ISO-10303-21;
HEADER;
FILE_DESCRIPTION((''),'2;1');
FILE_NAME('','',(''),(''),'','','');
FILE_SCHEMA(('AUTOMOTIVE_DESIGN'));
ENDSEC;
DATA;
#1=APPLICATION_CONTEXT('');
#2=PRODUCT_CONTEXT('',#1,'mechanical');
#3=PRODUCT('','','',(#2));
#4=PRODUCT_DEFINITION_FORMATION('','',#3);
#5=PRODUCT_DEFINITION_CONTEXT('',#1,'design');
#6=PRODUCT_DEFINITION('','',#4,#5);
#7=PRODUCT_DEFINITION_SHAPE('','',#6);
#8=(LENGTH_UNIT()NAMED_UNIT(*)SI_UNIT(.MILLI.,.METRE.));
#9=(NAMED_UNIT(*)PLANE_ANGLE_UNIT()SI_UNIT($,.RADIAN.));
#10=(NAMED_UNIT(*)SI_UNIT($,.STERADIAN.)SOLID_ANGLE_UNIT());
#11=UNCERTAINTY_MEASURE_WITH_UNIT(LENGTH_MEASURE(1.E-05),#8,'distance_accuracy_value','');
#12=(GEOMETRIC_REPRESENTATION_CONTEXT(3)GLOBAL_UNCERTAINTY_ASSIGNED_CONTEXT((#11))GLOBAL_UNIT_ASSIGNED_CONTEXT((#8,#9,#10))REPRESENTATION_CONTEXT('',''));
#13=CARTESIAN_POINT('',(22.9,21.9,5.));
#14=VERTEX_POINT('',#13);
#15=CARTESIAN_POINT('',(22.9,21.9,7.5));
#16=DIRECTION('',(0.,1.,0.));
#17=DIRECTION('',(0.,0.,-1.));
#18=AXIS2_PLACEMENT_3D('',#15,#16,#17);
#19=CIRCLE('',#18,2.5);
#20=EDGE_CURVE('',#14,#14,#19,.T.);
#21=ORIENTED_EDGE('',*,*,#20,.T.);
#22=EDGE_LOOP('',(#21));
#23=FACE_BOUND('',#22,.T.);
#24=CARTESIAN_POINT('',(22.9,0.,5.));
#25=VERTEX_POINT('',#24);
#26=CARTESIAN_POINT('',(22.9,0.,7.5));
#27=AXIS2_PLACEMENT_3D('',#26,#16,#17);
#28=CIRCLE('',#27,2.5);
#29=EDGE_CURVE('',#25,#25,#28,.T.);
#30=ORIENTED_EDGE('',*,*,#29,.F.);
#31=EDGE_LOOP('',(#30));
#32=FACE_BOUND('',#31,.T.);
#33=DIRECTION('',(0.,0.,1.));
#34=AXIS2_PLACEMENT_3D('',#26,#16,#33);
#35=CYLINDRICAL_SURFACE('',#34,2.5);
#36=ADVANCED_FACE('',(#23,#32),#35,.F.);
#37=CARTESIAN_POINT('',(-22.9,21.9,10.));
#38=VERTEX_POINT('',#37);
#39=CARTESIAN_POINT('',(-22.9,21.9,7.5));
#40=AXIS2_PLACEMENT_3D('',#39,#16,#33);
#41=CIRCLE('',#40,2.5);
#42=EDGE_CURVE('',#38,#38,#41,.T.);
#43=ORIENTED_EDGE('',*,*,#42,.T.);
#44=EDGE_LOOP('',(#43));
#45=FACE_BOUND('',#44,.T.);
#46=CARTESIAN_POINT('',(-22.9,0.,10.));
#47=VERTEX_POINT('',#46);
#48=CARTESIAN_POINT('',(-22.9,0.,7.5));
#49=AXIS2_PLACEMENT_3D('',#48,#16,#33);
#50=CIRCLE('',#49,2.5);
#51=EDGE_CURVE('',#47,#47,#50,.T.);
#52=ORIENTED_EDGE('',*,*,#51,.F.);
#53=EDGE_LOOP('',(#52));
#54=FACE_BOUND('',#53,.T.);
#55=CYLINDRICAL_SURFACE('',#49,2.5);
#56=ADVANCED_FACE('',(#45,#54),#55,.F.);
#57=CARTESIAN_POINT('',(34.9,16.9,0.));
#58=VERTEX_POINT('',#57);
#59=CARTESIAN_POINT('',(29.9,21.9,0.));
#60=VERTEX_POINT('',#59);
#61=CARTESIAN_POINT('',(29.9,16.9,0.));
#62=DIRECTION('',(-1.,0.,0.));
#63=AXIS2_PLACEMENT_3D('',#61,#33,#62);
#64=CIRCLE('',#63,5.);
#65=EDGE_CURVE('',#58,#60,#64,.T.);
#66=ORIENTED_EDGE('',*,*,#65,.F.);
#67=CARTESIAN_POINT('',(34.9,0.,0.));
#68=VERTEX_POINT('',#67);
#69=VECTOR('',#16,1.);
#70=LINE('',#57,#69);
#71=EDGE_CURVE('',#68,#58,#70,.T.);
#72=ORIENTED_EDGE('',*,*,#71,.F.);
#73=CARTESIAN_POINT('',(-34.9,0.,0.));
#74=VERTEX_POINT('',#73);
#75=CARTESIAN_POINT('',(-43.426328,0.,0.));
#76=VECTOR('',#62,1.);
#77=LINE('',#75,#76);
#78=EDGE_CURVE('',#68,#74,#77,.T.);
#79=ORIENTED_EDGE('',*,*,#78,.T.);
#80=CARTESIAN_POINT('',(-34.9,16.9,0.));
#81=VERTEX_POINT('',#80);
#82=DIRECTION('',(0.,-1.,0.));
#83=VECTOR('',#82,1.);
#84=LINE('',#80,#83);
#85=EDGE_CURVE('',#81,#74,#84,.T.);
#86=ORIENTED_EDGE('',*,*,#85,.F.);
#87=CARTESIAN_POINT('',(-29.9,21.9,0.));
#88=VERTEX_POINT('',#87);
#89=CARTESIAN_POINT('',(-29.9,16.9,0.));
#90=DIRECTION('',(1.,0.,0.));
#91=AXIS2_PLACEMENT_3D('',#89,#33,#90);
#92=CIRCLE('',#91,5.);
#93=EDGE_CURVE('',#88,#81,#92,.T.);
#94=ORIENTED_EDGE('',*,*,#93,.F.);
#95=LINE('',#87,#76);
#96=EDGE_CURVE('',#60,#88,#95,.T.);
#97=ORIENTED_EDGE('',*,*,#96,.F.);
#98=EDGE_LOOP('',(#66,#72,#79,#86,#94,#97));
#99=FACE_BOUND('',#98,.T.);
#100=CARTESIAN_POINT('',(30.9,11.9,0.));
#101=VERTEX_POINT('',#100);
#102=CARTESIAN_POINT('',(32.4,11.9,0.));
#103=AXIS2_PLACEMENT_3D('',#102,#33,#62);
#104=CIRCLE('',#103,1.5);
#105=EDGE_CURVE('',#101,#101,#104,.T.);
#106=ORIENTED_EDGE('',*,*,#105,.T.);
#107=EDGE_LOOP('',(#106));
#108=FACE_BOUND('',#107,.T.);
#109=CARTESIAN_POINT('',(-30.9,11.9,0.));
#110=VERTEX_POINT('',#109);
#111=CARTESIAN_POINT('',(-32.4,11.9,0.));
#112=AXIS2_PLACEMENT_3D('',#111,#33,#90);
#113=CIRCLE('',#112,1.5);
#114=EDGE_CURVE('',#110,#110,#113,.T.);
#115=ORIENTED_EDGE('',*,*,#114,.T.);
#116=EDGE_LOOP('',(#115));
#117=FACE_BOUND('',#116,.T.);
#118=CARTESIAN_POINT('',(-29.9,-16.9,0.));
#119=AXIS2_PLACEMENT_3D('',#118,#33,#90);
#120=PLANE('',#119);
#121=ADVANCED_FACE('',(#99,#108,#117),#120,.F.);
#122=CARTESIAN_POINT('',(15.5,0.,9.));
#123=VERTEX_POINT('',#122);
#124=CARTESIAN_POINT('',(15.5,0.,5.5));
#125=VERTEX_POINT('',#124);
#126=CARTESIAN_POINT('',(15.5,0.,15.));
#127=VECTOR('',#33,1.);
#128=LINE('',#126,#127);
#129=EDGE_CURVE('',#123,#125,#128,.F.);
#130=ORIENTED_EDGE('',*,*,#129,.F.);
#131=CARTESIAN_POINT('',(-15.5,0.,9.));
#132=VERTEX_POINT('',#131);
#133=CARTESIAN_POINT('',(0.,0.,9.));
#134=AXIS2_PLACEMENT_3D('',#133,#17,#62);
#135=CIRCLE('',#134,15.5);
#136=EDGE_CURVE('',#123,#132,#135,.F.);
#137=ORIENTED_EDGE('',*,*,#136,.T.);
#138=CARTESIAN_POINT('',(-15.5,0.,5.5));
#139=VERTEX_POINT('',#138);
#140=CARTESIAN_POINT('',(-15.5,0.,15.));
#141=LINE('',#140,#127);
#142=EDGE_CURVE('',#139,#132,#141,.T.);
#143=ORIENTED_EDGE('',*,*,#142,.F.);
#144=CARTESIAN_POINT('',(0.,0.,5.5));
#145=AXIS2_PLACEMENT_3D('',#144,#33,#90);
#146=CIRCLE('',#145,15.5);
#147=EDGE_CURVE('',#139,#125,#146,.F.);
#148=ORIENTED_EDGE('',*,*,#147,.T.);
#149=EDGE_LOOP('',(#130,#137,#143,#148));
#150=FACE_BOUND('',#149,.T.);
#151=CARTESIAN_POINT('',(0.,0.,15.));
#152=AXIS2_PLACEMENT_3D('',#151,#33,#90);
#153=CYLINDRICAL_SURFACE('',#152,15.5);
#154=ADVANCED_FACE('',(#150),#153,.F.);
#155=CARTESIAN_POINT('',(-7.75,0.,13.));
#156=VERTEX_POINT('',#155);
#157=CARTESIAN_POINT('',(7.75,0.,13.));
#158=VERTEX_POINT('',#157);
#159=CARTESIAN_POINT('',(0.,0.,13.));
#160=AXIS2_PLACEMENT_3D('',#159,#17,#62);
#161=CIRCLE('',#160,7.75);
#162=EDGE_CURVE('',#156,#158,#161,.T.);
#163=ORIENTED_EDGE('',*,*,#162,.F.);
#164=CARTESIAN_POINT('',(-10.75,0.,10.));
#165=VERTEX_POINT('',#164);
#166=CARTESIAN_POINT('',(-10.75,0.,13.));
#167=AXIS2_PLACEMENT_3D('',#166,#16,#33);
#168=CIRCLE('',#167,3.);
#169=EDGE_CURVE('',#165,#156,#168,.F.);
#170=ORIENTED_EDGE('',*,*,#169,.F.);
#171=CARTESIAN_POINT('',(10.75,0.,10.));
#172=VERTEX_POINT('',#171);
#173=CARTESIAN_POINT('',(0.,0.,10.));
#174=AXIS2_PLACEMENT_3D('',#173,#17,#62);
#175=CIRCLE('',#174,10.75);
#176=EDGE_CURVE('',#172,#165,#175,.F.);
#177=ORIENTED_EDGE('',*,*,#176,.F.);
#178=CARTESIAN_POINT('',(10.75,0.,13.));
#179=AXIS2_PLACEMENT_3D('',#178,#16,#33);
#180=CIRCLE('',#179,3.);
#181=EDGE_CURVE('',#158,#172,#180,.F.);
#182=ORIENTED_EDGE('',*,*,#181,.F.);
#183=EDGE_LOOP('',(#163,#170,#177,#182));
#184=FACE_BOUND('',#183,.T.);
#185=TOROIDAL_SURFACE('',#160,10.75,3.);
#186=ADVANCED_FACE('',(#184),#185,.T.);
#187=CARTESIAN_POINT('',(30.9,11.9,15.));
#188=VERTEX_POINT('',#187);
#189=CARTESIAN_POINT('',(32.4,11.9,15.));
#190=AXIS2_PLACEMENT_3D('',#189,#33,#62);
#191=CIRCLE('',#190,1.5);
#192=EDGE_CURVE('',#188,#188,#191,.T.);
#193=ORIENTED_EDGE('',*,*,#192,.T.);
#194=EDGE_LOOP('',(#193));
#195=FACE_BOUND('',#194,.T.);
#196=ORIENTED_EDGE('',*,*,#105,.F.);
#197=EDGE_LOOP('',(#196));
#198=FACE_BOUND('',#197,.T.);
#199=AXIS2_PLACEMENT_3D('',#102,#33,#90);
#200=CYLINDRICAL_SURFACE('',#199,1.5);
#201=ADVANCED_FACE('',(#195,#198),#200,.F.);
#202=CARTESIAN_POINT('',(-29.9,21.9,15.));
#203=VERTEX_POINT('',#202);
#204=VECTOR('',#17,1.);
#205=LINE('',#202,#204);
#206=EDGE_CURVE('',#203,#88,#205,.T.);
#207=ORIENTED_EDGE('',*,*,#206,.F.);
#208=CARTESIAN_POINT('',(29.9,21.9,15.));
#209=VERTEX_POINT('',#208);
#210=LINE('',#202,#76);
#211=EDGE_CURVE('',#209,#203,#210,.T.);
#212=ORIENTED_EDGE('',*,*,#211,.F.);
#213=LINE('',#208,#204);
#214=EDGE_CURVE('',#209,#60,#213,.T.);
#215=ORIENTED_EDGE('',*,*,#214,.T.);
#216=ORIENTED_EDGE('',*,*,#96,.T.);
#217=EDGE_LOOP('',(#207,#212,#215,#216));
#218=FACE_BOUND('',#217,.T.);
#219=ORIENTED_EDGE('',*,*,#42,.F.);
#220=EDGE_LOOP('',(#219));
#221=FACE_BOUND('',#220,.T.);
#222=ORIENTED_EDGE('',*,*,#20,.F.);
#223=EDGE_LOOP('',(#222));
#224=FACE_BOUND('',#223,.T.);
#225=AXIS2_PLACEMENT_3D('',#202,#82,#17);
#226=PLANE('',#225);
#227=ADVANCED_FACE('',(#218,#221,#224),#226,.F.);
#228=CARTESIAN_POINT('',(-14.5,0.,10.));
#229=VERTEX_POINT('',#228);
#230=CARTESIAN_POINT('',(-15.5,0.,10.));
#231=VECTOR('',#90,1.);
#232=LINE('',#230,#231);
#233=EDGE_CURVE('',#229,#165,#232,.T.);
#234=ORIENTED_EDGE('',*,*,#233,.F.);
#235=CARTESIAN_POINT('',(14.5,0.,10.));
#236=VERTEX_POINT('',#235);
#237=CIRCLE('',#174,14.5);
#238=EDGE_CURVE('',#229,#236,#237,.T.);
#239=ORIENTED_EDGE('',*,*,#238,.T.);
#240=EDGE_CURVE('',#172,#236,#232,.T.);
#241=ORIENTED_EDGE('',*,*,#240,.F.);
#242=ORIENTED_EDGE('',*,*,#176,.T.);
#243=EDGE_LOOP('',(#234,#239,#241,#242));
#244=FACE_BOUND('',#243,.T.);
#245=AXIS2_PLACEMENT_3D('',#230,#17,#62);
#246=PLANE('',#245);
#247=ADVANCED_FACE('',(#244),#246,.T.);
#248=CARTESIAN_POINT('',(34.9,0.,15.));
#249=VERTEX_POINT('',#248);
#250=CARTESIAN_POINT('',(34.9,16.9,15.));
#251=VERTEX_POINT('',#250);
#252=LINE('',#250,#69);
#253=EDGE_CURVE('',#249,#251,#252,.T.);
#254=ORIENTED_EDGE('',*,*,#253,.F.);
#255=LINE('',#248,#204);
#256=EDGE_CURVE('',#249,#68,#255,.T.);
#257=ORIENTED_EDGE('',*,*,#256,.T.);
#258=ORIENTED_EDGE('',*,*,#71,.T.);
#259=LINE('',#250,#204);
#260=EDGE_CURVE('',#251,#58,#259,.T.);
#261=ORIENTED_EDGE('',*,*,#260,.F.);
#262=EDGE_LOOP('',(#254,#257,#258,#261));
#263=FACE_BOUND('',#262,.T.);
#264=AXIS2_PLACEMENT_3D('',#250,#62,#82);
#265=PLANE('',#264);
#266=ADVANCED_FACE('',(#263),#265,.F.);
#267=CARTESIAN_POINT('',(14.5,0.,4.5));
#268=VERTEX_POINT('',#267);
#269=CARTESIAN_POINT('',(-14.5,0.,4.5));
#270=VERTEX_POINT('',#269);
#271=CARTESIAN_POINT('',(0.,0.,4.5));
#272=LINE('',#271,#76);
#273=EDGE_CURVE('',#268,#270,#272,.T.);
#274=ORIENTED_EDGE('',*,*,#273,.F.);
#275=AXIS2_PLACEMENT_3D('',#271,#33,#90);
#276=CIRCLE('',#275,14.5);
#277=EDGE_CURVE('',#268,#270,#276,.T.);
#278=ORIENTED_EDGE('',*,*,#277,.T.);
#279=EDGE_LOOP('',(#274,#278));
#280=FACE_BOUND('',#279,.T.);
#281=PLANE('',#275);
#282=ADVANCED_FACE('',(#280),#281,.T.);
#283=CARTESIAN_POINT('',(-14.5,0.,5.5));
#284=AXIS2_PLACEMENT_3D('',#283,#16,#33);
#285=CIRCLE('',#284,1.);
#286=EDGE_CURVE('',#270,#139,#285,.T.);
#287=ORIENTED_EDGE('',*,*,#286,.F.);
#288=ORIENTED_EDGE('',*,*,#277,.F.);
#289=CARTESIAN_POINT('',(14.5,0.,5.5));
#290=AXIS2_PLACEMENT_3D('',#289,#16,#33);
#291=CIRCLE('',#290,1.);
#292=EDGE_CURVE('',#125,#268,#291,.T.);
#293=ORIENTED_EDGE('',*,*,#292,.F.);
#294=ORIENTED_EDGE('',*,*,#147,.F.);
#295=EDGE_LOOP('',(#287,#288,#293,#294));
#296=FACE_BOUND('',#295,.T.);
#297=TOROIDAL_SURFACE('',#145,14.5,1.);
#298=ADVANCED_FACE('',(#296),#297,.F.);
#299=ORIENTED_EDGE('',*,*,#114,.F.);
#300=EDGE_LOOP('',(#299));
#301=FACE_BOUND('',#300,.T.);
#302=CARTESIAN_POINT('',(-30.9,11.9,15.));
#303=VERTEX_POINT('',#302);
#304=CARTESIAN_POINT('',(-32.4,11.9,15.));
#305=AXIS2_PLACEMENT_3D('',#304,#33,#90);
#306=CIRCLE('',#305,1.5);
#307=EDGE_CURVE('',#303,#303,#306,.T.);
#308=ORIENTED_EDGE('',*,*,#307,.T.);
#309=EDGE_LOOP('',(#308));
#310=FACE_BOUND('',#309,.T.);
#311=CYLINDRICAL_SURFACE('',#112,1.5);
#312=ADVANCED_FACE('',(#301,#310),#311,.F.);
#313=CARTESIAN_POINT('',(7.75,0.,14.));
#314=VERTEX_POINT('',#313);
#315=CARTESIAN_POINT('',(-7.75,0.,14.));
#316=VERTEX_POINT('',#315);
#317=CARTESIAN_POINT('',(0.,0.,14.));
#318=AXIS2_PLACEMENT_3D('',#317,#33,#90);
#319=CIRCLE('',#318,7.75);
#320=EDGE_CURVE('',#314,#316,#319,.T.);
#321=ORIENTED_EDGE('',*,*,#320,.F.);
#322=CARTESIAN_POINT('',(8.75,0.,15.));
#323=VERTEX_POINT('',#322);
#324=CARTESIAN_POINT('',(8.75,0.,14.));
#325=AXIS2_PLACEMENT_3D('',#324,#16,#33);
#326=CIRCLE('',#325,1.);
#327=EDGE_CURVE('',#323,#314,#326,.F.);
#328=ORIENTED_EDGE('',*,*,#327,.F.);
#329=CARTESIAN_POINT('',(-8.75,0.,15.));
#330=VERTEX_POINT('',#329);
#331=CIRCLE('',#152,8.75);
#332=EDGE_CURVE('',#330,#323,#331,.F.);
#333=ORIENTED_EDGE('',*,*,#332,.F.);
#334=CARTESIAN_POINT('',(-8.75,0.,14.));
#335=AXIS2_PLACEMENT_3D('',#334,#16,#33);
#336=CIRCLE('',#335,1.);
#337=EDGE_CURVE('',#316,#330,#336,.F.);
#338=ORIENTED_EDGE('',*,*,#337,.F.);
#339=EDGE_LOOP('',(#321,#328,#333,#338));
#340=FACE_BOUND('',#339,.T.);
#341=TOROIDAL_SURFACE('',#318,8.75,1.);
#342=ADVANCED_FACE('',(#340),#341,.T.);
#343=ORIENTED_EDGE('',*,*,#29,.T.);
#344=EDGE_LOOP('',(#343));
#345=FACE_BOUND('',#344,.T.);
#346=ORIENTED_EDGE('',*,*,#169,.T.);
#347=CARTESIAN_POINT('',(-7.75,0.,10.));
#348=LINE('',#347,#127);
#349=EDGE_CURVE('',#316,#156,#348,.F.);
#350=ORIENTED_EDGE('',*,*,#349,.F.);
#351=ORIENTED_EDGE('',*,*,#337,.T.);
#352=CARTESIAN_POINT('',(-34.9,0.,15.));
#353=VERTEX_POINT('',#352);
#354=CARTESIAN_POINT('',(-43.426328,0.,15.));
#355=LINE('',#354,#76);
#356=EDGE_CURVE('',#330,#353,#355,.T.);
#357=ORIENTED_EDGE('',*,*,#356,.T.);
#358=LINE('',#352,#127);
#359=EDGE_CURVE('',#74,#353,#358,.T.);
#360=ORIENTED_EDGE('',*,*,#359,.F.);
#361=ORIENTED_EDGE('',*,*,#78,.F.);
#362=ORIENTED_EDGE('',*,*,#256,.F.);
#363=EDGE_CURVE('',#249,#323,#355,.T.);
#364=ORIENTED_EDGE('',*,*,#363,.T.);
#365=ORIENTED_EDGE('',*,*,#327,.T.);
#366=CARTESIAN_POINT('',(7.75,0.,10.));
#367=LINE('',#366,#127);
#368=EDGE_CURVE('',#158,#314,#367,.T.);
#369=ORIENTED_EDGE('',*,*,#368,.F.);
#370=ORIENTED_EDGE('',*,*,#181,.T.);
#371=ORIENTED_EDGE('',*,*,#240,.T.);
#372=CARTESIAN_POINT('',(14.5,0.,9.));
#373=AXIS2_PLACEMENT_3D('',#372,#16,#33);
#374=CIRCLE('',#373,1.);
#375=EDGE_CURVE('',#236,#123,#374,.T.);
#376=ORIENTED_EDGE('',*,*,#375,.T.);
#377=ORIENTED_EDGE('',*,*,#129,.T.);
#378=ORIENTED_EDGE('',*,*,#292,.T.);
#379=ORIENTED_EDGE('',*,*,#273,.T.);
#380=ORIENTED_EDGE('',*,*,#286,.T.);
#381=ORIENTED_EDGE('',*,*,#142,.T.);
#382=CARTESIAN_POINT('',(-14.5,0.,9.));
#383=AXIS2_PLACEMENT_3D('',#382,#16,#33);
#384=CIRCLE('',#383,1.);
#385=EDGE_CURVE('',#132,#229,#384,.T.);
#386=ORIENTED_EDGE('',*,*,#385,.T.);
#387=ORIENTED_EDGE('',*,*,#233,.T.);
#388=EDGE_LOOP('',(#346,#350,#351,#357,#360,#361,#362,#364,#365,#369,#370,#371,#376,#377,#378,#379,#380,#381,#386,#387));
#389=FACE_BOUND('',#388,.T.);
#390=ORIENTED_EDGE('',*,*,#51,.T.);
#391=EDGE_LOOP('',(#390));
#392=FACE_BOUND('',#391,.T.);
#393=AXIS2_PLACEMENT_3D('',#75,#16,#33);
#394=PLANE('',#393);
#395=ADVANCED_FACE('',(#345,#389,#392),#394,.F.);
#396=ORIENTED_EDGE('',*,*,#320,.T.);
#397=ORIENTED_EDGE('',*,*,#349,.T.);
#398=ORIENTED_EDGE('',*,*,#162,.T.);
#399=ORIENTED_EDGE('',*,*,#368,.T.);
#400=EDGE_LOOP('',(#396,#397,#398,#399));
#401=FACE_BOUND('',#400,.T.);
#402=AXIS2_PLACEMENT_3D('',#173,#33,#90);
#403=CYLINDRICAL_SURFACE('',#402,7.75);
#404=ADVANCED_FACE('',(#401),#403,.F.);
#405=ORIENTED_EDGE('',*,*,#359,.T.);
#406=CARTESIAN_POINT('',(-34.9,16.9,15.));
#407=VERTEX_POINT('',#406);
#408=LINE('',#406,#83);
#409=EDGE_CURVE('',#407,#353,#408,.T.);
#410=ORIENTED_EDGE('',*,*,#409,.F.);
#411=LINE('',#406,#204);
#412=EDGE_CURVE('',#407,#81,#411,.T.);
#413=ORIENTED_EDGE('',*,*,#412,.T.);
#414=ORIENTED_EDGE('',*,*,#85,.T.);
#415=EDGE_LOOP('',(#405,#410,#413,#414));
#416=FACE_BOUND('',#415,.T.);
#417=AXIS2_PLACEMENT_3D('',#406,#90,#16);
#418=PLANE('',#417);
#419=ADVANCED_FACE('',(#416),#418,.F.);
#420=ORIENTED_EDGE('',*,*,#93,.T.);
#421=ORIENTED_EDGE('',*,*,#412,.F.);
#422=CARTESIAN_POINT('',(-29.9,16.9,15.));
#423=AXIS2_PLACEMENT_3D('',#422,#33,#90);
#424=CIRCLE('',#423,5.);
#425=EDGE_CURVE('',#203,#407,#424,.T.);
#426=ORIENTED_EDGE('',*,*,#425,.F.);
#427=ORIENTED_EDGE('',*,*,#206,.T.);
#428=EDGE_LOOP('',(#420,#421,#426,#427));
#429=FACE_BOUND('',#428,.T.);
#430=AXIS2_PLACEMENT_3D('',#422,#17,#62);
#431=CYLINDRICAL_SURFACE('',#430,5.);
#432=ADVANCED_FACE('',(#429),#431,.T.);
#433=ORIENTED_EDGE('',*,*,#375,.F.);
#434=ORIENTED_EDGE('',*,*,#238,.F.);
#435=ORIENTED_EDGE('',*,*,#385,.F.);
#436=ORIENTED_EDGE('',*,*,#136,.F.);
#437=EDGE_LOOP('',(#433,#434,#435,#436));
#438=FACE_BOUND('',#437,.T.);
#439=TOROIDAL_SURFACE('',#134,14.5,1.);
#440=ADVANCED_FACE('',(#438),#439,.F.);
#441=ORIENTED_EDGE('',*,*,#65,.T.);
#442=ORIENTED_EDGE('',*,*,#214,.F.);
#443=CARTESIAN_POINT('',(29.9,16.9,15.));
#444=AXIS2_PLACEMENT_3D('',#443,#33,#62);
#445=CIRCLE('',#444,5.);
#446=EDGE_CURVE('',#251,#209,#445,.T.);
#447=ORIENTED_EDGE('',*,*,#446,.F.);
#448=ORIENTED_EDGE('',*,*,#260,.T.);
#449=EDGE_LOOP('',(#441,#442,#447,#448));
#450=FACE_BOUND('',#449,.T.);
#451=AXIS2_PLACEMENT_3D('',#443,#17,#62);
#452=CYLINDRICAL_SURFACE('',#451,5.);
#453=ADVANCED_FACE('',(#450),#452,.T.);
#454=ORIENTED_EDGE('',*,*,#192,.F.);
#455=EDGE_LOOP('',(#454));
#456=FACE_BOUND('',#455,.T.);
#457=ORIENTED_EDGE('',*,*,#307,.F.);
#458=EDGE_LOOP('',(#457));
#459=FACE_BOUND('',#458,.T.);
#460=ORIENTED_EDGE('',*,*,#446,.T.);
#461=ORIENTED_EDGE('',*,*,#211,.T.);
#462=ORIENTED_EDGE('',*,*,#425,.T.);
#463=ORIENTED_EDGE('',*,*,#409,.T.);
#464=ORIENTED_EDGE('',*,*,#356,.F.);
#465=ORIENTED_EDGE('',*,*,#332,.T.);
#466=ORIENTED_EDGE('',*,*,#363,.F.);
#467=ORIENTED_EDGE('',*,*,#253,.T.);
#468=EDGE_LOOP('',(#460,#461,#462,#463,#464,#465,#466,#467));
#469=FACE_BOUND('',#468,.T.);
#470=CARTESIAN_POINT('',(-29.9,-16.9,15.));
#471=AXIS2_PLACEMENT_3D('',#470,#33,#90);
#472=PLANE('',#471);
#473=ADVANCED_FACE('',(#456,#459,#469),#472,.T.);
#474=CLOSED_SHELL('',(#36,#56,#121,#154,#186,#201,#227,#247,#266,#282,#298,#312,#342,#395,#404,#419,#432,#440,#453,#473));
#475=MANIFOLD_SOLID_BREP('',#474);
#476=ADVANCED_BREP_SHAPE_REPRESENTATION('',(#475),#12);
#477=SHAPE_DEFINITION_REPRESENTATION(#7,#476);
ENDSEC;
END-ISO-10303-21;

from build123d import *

# Parameters (mm, degrees)
EXTRUDE_1_DEPTH     = 15
SKETCH_2_R          = 1.5
CUT_EXTRUDE_1_DEPTH = 44.847690931
SKETCH_3_R          = 7.75
CUT_EXTRUDE_2_DEPTH = 5
SKETCH_4_W          = 15.5
SKETCH_4_H          = 5.5
SKETCH_5_W          = 88.652710044
SKETCH_5_H          = 26.513310491
CUT_EXTRUDE_3_DEPTH = 44.847690931
SKETCH_6_R          = 2.5
CUT_EXTRUDE_4_DEPTH = 44.847690931
FILLET_3_R          = 1
FILLET_4_R          = 1
FILLET_5_R          = 3


with BuildPart() as part:
    # 草圖1 → 填料-伸長1 (new body)
    with BuildSketch(Plane.XY):
        with BuildLine():
            Line((-29.9, 21.9), (29.9, 21.9))
            ThreePointArc((29.9, 21.9), (33.435533906, 20.435533906), (34.9, 16.9))
            Line((34.9, 16.9), (34.9, -16.9))
            ThreePointArc((34.9, -16.9), (33.435533906, -20.435533906), (29.9, -21.9))
            Line((29.9, -21.9), (-29.9, -21.9))
            ThreePointArc((-29.9, -21.9), (-33.435533906, -20.435533906), (-34.9, -16.9))
            Line((-34.9, -16.9), (-34.9, 16.9))
            ThreePointArc((-34.9, 16.9), (-33.435533906, 20.435533906), (-29.9, 21.9))
        make_face()
    extrude(amount=EXTRUDE_1_DEPTH)

    # 草圖2 → 除料-伸長1 (cut, through all)
    with BuildSketch(Plane.XY.offset(15)):
        with Locations((-32.4, 11.9)):
            Circle(SKETCH_2_R)
        with Locations(Location((-32.4, -11.9, 0), (0, 0, 180))):
            Circle(SKETCH_2_R)
        with Locations((32.4, -11.9)):
            Circle(SKETCH_2_R)
        with Locations(Location((32.4, 11.9, 0), (0, 0, 180))):
            Circle(SKETCH_2_R)
    extrude(amount=-CUT_EXTRUDE_1_DEPTH, mode=Mode.SUBTRACT)

    # 草圖3 → 除料-伸長2 (cut)
    with BuildSketch(Plane.XY.offset(15)):
        Circle(SKETCH_3_R)
    extrude(amount=-CUT_EXTRUDE_2_DEPTH, mode=Mode.SUBTRACT)

    # 草圖4 → 除料-旋轉1 (revolve, cut)
    with BuildSketch(Plane(origin=(0, 0, 0), x_dir=(1, 0, 0), z_dir=(0, 1, 0)), mode=Mode.PRIVATE) as cut_revolve_1_sk:
        with Locations((-7.75, -7.25)):
            Rectangle(SKETCH_4_W, SKETCH_4_H)
    revolve(cut_revolve_1_sk.sketch.rotate(Axis((0, 0, 15), (0, 0, -1)), 180), axis=Axis((0, 0, 15), (0, 0, -1)), mode=Mode.SUBTRACT)

    # 草圖5 → 除料-伸長3 (cut, through all)
    with BuildSketch(Plane.XY.offset(15)):
        with Locations((0.900027513, -13.256655246)):
            Rectangle(SKETCH_5_W, SKETCH_5_H)
    extrude(amount=-CUT_EXTRUDE_3_DEPTH, mode=Mode.SUBTRACT)

    # 草圖6 → 除料-伸長4 (cut, through all)
    with BuildSketch(Plane(origin=(0, 21.9, 0), x_dir=(1, 0, 0), z_dir=(0, 1, 0))):
        with Locations(Location((-22.9, -7.5, 0), (0, 0, 270))):
            Circle(SKETCH_6_R)
        with Locations(Location((22.9, -7.5, 0), (0, 0, 90))):
            Circle(SKETCH_6_R)
    extrude(amount=-CUT_EXTRUDE_4_DEPTH, mode=Mode.SUBTRACT)

    # 圓角3
    fillet_3_edges = [part.edges().sort_by_distance(p)[0] for p in [
        (0, 15.5, 10),
        (0, 15.5, 4.5),
    ]]
    fillet(fillet_3_edges, radius=FILLET_3_R)

    # 圓角4
    fillet_4_edges = [part.edges().sort_by_distance(p)[0] for p in [
        (0, 7.75, 15),
    ]]
    fillet(fillet_4_edges, radius=FILLET_4_R)

    # 圓角5
    fillet_5_edges = [part.edges().sort_by_distance(p)[0] for p in [
        (0, 7.75, 10),
    ]]
    fillet(fillet_5_edges, radius=FILLET_5_R)


solid = part.part
